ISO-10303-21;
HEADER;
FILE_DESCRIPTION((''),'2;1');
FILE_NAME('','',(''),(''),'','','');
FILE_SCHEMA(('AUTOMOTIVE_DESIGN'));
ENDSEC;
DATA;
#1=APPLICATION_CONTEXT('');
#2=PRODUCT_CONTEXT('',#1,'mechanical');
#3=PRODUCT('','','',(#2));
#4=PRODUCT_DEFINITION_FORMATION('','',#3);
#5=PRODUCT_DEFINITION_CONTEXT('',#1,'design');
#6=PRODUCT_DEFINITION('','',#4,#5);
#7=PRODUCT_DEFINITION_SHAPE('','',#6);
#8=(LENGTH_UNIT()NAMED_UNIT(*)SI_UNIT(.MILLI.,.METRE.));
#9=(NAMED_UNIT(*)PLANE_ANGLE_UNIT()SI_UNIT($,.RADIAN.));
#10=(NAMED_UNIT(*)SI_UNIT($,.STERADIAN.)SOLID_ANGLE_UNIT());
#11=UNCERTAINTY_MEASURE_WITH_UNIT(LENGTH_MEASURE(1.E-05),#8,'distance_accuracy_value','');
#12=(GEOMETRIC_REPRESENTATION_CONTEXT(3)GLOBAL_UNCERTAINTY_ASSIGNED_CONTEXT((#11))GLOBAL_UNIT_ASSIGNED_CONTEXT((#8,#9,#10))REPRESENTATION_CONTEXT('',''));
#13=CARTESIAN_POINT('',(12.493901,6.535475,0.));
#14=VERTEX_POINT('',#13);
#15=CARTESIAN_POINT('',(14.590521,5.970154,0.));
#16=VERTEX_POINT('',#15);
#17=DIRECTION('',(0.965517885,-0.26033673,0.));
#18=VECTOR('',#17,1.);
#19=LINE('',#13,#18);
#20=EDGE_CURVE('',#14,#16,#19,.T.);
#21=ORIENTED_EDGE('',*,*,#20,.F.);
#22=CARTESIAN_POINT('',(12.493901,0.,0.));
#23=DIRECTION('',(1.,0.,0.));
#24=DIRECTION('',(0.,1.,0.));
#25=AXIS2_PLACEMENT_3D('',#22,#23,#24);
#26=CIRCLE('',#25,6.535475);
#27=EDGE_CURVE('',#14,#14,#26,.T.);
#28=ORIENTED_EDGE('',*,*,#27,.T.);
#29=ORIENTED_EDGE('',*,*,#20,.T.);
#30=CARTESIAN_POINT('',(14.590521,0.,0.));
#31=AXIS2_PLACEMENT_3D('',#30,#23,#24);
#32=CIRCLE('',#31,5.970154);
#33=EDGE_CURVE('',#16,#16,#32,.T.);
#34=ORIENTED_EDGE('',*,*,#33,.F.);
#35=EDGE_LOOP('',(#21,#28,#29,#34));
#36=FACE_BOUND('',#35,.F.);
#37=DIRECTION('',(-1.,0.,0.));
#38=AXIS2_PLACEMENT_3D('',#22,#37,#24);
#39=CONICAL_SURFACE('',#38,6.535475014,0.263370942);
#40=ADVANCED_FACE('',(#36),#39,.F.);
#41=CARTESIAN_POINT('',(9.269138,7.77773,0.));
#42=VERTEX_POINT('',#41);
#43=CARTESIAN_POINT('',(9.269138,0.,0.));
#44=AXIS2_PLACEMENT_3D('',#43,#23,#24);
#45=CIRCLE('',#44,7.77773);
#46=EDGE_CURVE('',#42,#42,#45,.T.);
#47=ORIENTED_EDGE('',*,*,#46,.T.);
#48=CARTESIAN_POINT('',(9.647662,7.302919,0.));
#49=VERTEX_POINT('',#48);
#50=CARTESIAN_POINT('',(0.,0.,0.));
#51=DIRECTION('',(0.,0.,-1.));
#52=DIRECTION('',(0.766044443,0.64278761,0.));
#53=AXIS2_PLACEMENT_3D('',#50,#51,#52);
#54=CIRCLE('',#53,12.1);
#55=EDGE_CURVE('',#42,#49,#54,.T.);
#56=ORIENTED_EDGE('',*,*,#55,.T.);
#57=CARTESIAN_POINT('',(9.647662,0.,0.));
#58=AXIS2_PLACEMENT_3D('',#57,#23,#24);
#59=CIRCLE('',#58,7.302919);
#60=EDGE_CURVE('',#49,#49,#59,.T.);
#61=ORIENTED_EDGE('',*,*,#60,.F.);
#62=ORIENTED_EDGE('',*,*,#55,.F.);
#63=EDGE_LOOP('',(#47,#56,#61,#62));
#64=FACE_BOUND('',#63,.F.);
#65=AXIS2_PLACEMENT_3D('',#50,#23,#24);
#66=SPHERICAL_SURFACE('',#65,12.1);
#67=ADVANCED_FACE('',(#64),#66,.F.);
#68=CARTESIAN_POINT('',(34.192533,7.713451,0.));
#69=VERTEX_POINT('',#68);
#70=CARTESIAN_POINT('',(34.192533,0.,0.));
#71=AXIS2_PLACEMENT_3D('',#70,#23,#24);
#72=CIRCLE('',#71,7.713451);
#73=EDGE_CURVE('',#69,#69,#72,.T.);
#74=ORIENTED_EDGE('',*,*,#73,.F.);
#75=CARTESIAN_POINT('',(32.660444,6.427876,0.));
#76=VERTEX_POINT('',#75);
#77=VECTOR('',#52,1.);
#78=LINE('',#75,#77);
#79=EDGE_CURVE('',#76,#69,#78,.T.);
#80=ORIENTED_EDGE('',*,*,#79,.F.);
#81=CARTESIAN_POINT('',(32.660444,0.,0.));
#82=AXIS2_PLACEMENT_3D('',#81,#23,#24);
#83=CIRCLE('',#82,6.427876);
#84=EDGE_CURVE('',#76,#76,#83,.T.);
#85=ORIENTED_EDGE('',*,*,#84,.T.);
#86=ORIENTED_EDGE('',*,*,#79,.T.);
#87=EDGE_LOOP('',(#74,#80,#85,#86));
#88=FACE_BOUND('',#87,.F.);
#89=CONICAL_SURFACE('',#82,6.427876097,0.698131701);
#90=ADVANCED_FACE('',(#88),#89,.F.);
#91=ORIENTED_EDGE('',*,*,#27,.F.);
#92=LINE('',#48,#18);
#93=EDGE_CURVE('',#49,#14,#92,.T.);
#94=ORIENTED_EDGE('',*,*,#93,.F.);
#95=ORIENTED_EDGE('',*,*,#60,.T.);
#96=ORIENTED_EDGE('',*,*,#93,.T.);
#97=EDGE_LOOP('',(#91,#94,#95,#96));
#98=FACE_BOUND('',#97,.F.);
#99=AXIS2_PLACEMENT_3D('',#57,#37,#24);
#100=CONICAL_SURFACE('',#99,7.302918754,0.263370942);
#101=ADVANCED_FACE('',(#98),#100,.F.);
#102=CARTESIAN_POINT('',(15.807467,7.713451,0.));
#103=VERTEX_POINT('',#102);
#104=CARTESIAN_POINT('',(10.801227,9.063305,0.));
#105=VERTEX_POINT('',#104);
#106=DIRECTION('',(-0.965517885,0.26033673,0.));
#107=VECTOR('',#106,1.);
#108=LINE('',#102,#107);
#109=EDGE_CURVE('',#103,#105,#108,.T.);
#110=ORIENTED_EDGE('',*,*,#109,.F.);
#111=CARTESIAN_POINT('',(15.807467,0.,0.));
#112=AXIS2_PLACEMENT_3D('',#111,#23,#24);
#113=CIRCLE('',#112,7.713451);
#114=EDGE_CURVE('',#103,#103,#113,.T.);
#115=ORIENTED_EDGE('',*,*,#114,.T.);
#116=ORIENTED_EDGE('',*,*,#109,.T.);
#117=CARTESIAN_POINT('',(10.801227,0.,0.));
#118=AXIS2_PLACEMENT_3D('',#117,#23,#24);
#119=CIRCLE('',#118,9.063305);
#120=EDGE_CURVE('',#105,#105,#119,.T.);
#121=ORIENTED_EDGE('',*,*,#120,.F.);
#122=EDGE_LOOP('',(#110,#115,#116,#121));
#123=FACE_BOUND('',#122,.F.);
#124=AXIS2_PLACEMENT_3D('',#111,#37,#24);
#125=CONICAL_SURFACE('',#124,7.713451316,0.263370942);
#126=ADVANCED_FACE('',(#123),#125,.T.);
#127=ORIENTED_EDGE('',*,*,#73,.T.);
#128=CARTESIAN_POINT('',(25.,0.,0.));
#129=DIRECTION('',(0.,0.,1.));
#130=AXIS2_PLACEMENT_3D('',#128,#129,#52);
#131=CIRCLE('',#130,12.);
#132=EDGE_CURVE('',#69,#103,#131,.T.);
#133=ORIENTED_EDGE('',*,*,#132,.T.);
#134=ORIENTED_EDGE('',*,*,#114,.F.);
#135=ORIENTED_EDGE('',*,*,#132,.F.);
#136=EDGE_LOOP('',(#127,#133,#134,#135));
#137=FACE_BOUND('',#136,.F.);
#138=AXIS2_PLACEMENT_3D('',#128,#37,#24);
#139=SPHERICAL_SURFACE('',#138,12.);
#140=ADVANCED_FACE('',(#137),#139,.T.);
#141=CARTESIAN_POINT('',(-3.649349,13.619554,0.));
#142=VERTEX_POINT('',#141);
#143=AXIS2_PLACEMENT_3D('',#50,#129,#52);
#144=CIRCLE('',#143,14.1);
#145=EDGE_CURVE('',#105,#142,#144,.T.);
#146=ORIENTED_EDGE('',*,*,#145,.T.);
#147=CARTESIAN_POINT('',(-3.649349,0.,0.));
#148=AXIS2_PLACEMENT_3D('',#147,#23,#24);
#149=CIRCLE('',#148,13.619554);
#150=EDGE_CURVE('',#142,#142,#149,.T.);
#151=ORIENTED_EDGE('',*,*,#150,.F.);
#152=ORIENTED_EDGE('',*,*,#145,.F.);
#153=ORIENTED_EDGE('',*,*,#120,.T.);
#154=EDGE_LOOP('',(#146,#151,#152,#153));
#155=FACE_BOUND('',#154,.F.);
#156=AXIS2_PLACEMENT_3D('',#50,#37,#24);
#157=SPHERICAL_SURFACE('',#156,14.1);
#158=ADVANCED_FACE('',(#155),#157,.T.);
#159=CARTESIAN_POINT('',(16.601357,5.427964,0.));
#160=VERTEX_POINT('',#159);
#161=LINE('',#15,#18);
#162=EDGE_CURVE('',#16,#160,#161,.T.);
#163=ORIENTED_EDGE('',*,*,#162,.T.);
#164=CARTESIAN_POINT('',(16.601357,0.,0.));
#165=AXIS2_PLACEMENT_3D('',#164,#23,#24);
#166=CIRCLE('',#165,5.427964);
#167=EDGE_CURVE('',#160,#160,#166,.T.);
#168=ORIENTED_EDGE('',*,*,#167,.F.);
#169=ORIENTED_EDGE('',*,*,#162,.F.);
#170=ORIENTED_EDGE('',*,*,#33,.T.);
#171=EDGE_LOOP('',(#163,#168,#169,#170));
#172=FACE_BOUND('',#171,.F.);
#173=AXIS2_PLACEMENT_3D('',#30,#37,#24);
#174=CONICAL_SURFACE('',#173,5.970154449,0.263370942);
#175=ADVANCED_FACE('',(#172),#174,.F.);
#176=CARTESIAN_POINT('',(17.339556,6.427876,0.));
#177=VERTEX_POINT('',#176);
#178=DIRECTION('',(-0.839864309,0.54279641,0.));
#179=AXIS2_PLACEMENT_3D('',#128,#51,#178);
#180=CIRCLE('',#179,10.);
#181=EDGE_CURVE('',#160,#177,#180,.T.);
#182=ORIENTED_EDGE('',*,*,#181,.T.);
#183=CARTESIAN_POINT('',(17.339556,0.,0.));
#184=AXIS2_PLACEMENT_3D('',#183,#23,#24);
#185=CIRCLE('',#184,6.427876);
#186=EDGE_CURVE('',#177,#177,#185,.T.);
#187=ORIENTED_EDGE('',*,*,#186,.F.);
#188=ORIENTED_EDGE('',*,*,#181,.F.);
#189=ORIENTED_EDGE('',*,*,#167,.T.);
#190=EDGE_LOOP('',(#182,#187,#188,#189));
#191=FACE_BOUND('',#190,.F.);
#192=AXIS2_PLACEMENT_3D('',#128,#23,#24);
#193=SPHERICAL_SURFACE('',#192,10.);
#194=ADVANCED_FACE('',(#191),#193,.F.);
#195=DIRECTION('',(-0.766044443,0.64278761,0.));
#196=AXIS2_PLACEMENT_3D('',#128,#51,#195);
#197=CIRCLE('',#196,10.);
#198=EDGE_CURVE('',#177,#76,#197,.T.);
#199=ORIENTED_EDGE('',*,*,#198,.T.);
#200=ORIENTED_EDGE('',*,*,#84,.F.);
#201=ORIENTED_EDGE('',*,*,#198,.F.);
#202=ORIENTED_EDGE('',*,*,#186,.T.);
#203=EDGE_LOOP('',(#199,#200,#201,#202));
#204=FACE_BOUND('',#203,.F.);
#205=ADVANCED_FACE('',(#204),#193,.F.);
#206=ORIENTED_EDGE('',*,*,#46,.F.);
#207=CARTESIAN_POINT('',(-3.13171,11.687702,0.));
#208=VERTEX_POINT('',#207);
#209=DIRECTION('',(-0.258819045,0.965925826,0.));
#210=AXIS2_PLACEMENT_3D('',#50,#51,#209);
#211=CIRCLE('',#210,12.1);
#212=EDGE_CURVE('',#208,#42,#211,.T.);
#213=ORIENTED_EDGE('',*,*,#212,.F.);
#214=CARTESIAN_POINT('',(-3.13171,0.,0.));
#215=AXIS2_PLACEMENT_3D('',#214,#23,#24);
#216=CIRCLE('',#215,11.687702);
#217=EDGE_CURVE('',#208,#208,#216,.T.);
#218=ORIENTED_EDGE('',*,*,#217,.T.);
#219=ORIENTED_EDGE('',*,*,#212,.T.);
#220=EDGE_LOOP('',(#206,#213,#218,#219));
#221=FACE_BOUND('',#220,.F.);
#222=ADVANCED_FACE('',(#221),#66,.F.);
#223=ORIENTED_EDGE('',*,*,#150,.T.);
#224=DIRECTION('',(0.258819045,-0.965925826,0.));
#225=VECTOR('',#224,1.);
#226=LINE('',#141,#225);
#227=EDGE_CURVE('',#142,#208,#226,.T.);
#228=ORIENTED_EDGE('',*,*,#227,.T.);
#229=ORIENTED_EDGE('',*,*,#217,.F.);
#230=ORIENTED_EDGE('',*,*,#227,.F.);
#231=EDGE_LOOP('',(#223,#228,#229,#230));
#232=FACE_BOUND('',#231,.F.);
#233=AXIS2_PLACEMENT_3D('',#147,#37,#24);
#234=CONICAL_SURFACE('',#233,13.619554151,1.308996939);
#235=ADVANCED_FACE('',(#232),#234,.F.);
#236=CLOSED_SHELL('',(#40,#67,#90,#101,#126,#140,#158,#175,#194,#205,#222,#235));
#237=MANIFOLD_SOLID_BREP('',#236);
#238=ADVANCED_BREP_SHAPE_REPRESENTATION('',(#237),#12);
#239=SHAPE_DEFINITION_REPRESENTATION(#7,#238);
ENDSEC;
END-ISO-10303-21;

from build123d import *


with BuildPart() as f1:
    # F0 (on Top) → F1 (revolve)
    with BuildSketch(Plane.XY):
        with BuildLine():
            ThreePointArc((34.1925333174, 7.7134513162), (25, 12), (15.8074666826, 7.7134513162))
            Line((15.8074666826, 7.7134513162), (17.3395555688, 6.4278760969))
            ThreePointArc((17.3395555688, 6.4278760969), (25, 10), (32.6604444312, 6.4278760969))
            Line((32.6604444312, 6.4278760969), (34.1925333174, 7.7134513162))
        make_face()
        with BuildLine():
            Line((-3.6493485359, 13.6195541507), (-3.1317104457, 11.6877024981))
            ThreePointArc((-3.1317104457, 11.6877024981), (3.638540174, 11.5399751041), (9.2691377617, 7.7777300772))
            Line((9.2691377617, 7.7777300772), (10.801226648, 9.0633052966))
            ThreePointArc((10.801226648, 9.0633052966), (4.239951773, 13.4474090055), (-3.6493485359, 13.6195541507))
        make_face()
        with BuildLine():
            ThreePointArc((9.2691377617, 7.7777300772), (9.4613787369, 7.5426992779), (9.6476617726, 7.3029187536))
            Line((9.6476617726, 7.3029187536), (12.4939011659, 6.5354750139))
            ThreePointArc((12.4939011659, 6.5354750139), (11.7159389914, 7.8451751765), (10.801226648, 9.0633052966))
            Line((10.801226648, 9.0633052966), (9.2691377617, 7.7777300772))
        make_face()
        with BuildLine():
            ThreePointArc((15.8074666826, 7.7134513162), (15.1603102672, 6.868806735), (14.5905208651, 5.9701544486))
            Line((14.5905208651, 5.9701544486), (16.6013569102, 5.4279640981))
            ThreePointArc((16.6013569102, 5.4279640981), (16.9549065261, 5.9393998853), (17.3395555688, 6.4278760969))
            Line((17.3395555688, 6.4278760969), (15.8074666826, 7.7134513162))
        make_face()
        with BuildLine():
            ThreePointArc((10.801226648, 9.0633052966), (11.7159389914, 7.8451751765), (12.4939011659, 6.5354750139))
            Line((12.4939011659, 6.5354750139), (14.5905208651, 5.9701544486))
            ThreePointArc((14.5905208651, 5.9701544486), (15.1603102672, 6.868806735), (15.8074666826, 7.7134513162))
            Line((15.8074666826, 7.7134513162), (10.801226648, 9.0633052966))
        make_face()
    revolve(axis=Axis((12.5, 0, 0), (1, 0, 0)))


solid = f1.part
